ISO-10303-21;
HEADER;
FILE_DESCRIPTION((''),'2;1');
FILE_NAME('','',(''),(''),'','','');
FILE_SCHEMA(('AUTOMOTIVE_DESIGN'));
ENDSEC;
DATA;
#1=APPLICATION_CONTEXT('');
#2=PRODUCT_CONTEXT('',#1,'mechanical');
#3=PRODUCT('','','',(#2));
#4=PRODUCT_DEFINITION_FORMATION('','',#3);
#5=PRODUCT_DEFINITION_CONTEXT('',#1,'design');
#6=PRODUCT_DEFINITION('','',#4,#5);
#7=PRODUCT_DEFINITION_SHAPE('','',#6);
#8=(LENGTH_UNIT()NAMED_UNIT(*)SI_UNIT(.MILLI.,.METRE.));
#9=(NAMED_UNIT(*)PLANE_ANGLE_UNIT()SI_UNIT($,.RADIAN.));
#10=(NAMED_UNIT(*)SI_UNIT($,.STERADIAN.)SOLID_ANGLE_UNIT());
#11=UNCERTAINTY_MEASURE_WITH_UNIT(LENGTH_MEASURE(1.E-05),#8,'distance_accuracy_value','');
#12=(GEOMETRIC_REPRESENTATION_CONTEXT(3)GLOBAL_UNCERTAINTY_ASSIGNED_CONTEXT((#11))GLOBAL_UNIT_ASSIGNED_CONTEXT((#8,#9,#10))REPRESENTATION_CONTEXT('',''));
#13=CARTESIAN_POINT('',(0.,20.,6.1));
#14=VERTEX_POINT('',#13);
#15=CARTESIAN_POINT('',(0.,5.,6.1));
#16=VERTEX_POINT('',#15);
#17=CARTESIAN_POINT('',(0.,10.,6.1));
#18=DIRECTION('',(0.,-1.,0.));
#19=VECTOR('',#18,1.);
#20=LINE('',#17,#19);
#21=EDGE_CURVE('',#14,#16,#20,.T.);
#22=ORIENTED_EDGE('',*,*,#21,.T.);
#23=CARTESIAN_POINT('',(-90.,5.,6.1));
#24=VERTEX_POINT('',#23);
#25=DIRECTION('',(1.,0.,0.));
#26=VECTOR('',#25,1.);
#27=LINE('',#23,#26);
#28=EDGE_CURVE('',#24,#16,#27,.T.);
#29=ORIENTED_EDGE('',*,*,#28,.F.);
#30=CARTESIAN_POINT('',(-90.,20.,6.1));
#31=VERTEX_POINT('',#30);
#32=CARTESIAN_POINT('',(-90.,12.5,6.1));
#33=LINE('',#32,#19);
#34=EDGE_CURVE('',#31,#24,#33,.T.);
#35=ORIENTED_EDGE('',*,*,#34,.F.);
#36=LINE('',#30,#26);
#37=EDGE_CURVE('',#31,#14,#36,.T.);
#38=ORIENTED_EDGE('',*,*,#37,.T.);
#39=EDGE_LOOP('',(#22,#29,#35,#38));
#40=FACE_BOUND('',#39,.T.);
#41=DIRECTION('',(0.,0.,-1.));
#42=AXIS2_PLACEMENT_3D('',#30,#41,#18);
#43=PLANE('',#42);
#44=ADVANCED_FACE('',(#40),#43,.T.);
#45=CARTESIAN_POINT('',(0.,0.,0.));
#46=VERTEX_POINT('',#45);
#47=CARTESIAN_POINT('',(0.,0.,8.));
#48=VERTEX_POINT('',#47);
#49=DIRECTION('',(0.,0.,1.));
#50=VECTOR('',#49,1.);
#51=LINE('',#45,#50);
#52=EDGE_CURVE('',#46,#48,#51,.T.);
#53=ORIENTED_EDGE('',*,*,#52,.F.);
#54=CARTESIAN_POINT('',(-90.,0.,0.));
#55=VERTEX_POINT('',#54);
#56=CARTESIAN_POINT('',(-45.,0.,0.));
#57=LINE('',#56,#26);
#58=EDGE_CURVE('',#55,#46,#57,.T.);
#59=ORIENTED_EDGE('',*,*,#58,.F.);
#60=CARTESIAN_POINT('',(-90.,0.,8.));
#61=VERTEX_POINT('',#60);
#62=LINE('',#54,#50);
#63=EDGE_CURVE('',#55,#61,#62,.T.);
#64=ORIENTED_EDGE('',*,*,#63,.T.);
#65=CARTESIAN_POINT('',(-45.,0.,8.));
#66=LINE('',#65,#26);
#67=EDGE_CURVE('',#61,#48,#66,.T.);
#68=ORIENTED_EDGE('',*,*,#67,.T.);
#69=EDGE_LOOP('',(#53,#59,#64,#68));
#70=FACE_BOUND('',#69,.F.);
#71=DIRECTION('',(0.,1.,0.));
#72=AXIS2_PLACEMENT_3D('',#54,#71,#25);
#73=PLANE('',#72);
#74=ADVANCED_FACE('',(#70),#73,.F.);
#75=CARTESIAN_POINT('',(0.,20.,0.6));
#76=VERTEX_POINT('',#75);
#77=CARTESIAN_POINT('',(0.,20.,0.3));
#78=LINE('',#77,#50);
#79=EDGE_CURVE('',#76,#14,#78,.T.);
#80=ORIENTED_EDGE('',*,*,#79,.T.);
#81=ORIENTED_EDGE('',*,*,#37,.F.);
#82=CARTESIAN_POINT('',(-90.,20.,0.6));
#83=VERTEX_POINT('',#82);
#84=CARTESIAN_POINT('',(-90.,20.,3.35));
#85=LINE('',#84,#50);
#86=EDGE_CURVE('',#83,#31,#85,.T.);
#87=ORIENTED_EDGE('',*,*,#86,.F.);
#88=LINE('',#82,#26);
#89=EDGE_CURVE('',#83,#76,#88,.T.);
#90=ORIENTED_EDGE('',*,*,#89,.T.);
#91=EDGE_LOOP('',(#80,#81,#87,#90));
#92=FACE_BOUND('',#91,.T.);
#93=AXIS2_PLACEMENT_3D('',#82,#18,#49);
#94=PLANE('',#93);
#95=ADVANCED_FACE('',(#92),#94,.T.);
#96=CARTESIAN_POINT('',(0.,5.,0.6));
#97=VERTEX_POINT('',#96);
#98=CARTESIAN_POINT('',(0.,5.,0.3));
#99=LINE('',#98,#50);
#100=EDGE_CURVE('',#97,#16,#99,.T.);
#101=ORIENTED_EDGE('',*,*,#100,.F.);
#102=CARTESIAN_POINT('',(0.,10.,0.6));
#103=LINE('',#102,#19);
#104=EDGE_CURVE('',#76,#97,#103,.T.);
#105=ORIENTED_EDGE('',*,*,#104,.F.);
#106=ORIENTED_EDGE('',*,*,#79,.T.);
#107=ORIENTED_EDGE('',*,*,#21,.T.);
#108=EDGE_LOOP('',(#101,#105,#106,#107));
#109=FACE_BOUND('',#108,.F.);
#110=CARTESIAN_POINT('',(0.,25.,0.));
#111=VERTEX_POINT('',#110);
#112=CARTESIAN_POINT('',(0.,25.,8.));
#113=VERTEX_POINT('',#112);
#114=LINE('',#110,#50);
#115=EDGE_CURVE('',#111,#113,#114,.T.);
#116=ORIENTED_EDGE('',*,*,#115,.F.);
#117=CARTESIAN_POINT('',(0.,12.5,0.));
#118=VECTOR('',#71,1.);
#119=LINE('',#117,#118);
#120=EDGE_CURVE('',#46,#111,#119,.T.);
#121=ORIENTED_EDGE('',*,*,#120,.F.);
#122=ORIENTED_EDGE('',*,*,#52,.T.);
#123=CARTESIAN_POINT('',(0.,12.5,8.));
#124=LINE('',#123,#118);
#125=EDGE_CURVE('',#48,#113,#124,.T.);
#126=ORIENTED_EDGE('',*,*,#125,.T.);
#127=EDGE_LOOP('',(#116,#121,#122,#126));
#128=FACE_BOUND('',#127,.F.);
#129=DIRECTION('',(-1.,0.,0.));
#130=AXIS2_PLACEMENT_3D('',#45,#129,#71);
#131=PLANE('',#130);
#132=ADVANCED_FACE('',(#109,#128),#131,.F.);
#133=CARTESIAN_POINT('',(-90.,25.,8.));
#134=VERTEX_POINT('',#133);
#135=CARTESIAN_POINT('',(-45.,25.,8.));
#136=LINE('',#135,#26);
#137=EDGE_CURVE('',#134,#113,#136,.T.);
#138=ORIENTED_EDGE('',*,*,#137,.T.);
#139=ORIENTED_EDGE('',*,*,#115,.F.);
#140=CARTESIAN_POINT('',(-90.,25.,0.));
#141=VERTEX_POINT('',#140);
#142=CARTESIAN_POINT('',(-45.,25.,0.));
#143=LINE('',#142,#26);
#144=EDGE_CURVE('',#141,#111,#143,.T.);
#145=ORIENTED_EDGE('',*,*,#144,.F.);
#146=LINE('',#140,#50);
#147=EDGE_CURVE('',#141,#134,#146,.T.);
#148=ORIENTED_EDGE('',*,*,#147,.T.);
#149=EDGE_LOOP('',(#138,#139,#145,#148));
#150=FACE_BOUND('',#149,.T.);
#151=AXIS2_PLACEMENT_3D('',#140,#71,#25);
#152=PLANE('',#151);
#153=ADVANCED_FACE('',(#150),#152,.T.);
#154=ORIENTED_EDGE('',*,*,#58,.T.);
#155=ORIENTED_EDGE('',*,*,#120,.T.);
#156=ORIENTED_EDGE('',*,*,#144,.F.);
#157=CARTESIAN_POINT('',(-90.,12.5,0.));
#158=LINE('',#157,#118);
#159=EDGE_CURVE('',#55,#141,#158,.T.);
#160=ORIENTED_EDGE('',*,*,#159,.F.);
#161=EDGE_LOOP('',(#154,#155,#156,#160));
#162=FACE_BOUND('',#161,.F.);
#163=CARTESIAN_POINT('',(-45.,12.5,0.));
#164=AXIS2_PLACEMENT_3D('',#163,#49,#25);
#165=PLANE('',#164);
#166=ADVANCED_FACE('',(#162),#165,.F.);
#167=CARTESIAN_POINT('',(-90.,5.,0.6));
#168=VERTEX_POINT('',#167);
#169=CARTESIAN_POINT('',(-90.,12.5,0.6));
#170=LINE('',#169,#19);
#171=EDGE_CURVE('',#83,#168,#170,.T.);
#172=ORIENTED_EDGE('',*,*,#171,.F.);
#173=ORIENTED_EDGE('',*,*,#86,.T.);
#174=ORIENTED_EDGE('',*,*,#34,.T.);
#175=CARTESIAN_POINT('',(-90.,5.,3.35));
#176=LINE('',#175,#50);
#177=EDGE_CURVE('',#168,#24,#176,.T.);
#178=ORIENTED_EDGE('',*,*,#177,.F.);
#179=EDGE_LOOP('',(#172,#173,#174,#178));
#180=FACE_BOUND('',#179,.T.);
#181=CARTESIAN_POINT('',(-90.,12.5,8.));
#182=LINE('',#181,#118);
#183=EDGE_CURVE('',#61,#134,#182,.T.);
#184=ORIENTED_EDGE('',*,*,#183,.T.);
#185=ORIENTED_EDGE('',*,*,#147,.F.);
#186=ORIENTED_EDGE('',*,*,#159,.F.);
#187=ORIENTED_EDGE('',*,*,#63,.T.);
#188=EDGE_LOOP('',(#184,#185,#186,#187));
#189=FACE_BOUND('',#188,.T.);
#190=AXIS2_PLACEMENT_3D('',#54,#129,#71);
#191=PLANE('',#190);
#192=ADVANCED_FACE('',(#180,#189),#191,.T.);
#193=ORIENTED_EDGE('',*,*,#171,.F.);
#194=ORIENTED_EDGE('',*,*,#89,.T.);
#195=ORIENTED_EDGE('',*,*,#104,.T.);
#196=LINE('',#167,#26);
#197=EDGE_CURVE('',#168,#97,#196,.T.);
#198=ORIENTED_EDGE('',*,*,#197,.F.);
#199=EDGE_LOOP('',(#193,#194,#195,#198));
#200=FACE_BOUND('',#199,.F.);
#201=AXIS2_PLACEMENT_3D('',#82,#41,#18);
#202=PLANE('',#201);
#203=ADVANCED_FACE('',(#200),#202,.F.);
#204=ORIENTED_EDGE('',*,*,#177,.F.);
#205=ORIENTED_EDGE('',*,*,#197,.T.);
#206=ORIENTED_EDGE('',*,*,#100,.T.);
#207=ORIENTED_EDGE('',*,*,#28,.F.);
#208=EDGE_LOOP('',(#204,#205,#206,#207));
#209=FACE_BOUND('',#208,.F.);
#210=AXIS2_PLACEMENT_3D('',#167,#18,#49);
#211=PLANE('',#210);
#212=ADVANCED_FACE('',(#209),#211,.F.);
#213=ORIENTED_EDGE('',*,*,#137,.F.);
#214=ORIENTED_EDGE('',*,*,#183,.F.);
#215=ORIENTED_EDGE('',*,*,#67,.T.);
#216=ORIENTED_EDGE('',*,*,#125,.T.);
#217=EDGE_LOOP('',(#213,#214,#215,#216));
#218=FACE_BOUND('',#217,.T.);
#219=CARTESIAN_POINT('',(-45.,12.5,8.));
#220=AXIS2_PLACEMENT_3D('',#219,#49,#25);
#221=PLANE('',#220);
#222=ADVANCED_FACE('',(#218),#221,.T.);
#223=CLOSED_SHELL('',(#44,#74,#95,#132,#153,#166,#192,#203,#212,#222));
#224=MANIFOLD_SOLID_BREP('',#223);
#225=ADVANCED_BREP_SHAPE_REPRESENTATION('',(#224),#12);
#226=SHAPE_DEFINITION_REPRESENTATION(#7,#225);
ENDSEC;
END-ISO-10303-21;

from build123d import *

# Parameters (mm, degrees)
SKETCH_W     = 90
SKETCH_H     = 25
PAD_DEPTH    = 8
SKETCH003_W  = 15
SKETCH003_H  = 5.5
POCKET_DEPTH = 95


with BuildPart() as part:
    # Sketch → Pad (new body)
    with BuildSketch(Plane.XY):
        with Locations((-45, 12.5)):
            Rectangle(SKETCH_W, SKETCH_H)
    extrude(amount=PAD_DEPTH)

    # Sketch003 (on Face4 of Pad) → Pocket (cut)
    with BuildSketch(Plane(origin=(-90, 0, 0), x_dir=(0, -1, 0), z_dir=(-1, 0, 0))):
        with Locations((-12.5, 3.35)):
            Rectangle(SKETCH003_W, SKETCH003_H)
    extrude(amount=-POCKET_DEPTH, mode=Mode.SUBTRACT)


solid = part.part
